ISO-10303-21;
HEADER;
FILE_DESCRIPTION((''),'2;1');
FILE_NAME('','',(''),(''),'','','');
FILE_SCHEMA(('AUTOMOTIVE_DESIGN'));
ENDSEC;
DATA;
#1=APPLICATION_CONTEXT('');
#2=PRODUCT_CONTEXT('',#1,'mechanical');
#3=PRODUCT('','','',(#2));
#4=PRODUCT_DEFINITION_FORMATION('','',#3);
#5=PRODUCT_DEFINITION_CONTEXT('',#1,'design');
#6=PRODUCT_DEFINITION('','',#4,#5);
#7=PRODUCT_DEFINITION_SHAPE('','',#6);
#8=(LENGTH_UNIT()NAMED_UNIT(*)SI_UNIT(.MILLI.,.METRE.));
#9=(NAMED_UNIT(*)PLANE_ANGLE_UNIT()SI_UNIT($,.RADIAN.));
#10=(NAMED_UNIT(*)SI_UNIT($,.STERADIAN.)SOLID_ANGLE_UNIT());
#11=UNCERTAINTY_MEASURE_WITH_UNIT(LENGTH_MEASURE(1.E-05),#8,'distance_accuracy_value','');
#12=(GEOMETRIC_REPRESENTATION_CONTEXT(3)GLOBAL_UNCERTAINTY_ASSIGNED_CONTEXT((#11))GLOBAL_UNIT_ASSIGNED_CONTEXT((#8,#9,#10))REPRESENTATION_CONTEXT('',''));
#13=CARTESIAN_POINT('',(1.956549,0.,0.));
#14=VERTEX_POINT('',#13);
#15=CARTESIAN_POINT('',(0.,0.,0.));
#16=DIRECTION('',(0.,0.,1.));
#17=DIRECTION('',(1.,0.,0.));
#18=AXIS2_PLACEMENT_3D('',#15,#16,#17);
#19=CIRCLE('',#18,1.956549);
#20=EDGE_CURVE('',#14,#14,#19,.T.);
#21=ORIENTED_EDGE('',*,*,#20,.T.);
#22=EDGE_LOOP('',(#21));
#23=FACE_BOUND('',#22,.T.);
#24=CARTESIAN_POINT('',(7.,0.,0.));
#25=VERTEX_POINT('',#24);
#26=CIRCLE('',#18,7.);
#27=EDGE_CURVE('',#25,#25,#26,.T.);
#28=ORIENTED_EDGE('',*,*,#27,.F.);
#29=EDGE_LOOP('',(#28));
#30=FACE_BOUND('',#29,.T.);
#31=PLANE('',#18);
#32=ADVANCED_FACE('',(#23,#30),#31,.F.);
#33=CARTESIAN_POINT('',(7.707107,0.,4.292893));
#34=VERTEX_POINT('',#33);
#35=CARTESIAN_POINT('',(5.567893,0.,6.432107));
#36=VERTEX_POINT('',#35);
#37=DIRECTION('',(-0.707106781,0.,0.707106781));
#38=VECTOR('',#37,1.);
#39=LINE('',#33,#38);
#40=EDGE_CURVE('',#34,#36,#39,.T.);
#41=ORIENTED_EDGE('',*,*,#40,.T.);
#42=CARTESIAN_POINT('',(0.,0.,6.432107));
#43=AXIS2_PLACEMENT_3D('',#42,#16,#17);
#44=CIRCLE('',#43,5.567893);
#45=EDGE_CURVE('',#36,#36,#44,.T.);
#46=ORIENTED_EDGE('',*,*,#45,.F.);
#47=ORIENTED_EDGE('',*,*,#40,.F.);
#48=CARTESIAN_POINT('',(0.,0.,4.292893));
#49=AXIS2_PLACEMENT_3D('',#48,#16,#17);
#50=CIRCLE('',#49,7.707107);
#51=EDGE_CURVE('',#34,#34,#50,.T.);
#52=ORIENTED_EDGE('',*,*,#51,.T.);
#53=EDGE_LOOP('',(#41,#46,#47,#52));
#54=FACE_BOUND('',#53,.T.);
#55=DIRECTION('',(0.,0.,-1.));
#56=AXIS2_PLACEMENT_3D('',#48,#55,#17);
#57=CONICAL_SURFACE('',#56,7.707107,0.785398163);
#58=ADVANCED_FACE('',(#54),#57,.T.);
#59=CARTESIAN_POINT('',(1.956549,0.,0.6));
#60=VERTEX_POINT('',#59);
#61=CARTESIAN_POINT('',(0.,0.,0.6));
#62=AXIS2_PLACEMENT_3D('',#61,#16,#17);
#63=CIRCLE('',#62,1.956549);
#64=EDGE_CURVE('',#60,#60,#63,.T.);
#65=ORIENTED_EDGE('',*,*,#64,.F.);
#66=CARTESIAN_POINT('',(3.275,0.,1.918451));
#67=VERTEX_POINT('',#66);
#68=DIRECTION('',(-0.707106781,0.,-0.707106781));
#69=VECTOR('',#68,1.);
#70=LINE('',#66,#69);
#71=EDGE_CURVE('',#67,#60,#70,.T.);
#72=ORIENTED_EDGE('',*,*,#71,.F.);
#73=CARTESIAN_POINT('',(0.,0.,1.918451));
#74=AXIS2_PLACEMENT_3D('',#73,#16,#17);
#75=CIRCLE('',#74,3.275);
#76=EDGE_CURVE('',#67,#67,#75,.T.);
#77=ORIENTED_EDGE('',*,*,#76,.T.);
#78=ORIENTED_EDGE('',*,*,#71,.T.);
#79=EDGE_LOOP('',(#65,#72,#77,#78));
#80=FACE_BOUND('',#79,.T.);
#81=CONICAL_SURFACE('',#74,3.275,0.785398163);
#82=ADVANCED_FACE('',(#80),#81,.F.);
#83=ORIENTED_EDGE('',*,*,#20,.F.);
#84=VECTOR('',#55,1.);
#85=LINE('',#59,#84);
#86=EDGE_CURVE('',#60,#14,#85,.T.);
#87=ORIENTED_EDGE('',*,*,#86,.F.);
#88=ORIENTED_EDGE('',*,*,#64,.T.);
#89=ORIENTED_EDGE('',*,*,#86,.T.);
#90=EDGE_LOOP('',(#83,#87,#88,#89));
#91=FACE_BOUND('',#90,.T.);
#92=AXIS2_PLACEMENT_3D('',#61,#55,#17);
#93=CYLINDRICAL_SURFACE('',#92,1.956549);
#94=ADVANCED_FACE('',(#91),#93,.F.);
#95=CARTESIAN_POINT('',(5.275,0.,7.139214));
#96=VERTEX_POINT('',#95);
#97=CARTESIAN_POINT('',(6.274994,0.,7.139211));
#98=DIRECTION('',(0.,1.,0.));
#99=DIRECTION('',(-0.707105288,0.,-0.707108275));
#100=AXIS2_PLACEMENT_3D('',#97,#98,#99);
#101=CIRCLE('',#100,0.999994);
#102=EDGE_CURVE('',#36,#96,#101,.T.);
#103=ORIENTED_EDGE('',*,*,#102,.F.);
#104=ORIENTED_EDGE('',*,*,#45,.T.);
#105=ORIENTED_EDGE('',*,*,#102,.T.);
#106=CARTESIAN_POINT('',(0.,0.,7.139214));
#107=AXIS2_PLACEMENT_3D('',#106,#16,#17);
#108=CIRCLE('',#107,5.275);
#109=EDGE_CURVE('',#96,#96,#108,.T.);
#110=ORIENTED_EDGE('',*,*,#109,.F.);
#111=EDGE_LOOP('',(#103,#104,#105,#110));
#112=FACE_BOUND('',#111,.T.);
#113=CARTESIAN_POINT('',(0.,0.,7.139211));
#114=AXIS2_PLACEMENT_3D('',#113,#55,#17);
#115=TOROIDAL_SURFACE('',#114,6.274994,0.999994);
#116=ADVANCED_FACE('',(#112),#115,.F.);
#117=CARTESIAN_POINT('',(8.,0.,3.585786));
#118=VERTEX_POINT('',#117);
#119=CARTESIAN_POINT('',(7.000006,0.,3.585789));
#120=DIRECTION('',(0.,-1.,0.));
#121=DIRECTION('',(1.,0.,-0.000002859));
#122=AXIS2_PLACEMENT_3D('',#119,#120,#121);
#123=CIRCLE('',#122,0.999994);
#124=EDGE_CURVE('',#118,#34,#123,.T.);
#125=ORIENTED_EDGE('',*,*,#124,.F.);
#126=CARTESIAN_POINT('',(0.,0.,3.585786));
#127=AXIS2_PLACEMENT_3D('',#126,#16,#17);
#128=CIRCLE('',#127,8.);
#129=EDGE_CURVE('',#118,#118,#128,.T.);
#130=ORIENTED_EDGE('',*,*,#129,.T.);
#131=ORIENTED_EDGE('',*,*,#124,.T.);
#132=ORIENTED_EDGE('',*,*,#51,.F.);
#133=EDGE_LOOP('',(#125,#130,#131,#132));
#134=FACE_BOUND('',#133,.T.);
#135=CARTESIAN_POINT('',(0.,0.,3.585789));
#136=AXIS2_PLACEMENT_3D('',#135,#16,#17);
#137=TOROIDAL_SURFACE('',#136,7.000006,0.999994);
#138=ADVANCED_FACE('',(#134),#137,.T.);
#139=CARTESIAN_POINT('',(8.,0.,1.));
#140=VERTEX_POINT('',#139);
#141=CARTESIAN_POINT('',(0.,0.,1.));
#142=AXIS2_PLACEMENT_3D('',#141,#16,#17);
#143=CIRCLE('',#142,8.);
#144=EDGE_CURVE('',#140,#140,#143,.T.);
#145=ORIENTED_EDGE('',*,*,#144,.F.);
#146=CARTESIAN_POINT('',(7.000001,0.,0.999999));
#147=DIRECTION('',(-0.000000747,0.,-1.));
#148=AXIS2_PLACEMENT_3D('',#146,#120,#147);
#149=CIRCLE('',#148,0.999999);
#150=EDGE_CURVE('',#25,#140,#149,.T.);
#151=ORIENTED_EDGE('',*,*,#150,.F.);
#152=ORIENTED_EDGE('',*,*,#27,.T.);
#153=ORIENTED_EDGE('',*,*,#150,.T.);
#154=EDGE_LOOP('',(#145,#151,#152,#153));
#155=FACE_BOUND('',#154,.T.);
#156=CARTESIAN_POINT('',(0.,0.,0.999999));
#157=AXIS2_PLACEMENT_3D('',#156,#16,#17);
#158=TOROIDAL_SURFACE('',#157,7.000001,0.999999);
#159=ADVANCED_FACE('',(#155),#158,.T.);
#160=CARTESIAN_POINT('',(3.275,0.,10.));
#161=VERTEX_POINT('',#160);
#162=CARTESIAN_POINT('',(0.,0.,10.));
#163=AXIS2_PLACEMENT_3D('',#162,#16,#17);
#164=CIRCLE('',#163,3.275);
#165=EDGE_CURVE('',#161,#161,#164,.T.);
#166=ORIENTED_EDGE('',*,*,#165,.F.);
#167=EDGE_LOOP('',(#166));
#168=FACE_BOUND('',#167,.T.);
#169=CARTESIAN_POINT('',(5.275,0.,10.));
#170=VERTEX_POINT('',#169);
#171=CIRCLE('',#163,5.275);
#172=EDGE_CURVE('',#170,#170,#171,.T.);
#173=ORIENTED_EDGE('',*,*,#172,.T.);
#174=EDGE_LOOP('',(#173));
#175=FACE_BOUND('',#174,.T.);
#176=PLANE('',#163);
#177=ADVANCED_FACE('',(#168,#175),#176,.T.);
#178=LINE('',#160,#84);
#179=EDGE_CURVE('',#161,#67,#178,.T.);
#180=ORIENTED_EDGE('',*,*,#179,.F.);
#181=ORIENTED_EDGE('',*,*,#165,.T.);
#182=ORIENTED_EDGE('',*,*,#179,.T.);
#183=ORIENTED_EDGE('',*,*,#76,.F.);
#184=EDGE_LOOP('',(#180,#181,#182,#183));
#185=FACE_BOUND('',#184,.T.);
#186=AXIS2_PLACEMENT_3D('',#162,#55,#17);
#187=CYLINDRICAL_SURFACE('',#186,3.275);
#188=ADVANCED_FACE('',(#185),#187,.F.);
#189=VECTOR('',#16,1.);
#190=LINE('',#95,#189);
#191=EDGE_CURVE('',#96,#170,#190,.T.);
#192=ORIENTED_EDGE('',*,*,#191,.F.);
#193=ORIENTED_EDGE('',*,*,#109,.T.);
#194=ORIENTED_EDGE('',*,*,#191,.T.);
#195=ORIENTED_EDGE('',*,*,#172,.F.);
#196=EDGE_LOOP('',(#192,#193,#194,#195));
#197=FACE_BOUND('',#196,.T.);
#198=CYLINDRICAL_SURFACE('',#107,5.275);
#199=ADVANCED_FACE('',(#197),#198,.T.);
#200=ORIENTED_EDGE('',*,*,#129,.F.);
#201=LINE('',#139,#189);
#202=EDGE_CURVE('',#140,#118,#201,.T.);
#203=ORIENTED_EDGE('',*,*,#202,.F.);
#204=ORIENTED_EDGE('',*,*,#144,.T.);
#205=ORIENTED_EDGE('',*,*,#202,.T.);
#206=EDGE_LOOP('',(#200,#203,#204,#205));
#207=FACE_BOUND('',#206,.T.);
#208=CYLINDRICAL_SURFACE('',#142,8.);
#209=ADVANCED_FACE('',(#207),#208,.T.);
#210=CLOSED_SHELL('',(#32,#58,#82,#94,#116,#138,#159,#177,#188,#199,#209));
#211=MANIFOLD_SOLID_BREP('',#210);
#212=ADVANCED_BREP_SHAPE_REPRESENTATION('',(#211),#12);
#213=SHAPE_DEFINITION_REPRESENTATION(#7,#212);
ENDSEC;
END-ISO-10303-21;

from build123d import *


with BuildPart() as f1:
    # F0 (on Front) → F1 (revolve)
    with BuildSketch(Plane.XZ):
        with BuildLine():
            Line((1.956549, 0.6), (1.956549, 0))
            Line((1.956549, 0), (7, 0))
            ThreePointArc((7, 0), (7.707107, 0.292893), (8, 1))
            Line((8, 1), (8, 3.585786))
            ThreePointArc((8, 3.585786), (7.92388, 3.96847), (7.707107, 4.292893))
            Line((7.707107, 4.292893), (5.567893, 6.432107))
            ThreePointArc((5.567893, 6.432107), (5.35112, 6.75653), (5.275, 7.139214))
            Line((5.275, 7.139214), (5.275, 10))
            Line((5.275, 10), (3.275, 10))
            Line((3.275, 10), (3.275, 1.918451))
            Line((3.275, 1.918451), (1.956549, 0.6))
        make_face()
    revolve(axis=Axis((0, 0, 7.164844), (0, 0, 1)))


solid = f1.part
